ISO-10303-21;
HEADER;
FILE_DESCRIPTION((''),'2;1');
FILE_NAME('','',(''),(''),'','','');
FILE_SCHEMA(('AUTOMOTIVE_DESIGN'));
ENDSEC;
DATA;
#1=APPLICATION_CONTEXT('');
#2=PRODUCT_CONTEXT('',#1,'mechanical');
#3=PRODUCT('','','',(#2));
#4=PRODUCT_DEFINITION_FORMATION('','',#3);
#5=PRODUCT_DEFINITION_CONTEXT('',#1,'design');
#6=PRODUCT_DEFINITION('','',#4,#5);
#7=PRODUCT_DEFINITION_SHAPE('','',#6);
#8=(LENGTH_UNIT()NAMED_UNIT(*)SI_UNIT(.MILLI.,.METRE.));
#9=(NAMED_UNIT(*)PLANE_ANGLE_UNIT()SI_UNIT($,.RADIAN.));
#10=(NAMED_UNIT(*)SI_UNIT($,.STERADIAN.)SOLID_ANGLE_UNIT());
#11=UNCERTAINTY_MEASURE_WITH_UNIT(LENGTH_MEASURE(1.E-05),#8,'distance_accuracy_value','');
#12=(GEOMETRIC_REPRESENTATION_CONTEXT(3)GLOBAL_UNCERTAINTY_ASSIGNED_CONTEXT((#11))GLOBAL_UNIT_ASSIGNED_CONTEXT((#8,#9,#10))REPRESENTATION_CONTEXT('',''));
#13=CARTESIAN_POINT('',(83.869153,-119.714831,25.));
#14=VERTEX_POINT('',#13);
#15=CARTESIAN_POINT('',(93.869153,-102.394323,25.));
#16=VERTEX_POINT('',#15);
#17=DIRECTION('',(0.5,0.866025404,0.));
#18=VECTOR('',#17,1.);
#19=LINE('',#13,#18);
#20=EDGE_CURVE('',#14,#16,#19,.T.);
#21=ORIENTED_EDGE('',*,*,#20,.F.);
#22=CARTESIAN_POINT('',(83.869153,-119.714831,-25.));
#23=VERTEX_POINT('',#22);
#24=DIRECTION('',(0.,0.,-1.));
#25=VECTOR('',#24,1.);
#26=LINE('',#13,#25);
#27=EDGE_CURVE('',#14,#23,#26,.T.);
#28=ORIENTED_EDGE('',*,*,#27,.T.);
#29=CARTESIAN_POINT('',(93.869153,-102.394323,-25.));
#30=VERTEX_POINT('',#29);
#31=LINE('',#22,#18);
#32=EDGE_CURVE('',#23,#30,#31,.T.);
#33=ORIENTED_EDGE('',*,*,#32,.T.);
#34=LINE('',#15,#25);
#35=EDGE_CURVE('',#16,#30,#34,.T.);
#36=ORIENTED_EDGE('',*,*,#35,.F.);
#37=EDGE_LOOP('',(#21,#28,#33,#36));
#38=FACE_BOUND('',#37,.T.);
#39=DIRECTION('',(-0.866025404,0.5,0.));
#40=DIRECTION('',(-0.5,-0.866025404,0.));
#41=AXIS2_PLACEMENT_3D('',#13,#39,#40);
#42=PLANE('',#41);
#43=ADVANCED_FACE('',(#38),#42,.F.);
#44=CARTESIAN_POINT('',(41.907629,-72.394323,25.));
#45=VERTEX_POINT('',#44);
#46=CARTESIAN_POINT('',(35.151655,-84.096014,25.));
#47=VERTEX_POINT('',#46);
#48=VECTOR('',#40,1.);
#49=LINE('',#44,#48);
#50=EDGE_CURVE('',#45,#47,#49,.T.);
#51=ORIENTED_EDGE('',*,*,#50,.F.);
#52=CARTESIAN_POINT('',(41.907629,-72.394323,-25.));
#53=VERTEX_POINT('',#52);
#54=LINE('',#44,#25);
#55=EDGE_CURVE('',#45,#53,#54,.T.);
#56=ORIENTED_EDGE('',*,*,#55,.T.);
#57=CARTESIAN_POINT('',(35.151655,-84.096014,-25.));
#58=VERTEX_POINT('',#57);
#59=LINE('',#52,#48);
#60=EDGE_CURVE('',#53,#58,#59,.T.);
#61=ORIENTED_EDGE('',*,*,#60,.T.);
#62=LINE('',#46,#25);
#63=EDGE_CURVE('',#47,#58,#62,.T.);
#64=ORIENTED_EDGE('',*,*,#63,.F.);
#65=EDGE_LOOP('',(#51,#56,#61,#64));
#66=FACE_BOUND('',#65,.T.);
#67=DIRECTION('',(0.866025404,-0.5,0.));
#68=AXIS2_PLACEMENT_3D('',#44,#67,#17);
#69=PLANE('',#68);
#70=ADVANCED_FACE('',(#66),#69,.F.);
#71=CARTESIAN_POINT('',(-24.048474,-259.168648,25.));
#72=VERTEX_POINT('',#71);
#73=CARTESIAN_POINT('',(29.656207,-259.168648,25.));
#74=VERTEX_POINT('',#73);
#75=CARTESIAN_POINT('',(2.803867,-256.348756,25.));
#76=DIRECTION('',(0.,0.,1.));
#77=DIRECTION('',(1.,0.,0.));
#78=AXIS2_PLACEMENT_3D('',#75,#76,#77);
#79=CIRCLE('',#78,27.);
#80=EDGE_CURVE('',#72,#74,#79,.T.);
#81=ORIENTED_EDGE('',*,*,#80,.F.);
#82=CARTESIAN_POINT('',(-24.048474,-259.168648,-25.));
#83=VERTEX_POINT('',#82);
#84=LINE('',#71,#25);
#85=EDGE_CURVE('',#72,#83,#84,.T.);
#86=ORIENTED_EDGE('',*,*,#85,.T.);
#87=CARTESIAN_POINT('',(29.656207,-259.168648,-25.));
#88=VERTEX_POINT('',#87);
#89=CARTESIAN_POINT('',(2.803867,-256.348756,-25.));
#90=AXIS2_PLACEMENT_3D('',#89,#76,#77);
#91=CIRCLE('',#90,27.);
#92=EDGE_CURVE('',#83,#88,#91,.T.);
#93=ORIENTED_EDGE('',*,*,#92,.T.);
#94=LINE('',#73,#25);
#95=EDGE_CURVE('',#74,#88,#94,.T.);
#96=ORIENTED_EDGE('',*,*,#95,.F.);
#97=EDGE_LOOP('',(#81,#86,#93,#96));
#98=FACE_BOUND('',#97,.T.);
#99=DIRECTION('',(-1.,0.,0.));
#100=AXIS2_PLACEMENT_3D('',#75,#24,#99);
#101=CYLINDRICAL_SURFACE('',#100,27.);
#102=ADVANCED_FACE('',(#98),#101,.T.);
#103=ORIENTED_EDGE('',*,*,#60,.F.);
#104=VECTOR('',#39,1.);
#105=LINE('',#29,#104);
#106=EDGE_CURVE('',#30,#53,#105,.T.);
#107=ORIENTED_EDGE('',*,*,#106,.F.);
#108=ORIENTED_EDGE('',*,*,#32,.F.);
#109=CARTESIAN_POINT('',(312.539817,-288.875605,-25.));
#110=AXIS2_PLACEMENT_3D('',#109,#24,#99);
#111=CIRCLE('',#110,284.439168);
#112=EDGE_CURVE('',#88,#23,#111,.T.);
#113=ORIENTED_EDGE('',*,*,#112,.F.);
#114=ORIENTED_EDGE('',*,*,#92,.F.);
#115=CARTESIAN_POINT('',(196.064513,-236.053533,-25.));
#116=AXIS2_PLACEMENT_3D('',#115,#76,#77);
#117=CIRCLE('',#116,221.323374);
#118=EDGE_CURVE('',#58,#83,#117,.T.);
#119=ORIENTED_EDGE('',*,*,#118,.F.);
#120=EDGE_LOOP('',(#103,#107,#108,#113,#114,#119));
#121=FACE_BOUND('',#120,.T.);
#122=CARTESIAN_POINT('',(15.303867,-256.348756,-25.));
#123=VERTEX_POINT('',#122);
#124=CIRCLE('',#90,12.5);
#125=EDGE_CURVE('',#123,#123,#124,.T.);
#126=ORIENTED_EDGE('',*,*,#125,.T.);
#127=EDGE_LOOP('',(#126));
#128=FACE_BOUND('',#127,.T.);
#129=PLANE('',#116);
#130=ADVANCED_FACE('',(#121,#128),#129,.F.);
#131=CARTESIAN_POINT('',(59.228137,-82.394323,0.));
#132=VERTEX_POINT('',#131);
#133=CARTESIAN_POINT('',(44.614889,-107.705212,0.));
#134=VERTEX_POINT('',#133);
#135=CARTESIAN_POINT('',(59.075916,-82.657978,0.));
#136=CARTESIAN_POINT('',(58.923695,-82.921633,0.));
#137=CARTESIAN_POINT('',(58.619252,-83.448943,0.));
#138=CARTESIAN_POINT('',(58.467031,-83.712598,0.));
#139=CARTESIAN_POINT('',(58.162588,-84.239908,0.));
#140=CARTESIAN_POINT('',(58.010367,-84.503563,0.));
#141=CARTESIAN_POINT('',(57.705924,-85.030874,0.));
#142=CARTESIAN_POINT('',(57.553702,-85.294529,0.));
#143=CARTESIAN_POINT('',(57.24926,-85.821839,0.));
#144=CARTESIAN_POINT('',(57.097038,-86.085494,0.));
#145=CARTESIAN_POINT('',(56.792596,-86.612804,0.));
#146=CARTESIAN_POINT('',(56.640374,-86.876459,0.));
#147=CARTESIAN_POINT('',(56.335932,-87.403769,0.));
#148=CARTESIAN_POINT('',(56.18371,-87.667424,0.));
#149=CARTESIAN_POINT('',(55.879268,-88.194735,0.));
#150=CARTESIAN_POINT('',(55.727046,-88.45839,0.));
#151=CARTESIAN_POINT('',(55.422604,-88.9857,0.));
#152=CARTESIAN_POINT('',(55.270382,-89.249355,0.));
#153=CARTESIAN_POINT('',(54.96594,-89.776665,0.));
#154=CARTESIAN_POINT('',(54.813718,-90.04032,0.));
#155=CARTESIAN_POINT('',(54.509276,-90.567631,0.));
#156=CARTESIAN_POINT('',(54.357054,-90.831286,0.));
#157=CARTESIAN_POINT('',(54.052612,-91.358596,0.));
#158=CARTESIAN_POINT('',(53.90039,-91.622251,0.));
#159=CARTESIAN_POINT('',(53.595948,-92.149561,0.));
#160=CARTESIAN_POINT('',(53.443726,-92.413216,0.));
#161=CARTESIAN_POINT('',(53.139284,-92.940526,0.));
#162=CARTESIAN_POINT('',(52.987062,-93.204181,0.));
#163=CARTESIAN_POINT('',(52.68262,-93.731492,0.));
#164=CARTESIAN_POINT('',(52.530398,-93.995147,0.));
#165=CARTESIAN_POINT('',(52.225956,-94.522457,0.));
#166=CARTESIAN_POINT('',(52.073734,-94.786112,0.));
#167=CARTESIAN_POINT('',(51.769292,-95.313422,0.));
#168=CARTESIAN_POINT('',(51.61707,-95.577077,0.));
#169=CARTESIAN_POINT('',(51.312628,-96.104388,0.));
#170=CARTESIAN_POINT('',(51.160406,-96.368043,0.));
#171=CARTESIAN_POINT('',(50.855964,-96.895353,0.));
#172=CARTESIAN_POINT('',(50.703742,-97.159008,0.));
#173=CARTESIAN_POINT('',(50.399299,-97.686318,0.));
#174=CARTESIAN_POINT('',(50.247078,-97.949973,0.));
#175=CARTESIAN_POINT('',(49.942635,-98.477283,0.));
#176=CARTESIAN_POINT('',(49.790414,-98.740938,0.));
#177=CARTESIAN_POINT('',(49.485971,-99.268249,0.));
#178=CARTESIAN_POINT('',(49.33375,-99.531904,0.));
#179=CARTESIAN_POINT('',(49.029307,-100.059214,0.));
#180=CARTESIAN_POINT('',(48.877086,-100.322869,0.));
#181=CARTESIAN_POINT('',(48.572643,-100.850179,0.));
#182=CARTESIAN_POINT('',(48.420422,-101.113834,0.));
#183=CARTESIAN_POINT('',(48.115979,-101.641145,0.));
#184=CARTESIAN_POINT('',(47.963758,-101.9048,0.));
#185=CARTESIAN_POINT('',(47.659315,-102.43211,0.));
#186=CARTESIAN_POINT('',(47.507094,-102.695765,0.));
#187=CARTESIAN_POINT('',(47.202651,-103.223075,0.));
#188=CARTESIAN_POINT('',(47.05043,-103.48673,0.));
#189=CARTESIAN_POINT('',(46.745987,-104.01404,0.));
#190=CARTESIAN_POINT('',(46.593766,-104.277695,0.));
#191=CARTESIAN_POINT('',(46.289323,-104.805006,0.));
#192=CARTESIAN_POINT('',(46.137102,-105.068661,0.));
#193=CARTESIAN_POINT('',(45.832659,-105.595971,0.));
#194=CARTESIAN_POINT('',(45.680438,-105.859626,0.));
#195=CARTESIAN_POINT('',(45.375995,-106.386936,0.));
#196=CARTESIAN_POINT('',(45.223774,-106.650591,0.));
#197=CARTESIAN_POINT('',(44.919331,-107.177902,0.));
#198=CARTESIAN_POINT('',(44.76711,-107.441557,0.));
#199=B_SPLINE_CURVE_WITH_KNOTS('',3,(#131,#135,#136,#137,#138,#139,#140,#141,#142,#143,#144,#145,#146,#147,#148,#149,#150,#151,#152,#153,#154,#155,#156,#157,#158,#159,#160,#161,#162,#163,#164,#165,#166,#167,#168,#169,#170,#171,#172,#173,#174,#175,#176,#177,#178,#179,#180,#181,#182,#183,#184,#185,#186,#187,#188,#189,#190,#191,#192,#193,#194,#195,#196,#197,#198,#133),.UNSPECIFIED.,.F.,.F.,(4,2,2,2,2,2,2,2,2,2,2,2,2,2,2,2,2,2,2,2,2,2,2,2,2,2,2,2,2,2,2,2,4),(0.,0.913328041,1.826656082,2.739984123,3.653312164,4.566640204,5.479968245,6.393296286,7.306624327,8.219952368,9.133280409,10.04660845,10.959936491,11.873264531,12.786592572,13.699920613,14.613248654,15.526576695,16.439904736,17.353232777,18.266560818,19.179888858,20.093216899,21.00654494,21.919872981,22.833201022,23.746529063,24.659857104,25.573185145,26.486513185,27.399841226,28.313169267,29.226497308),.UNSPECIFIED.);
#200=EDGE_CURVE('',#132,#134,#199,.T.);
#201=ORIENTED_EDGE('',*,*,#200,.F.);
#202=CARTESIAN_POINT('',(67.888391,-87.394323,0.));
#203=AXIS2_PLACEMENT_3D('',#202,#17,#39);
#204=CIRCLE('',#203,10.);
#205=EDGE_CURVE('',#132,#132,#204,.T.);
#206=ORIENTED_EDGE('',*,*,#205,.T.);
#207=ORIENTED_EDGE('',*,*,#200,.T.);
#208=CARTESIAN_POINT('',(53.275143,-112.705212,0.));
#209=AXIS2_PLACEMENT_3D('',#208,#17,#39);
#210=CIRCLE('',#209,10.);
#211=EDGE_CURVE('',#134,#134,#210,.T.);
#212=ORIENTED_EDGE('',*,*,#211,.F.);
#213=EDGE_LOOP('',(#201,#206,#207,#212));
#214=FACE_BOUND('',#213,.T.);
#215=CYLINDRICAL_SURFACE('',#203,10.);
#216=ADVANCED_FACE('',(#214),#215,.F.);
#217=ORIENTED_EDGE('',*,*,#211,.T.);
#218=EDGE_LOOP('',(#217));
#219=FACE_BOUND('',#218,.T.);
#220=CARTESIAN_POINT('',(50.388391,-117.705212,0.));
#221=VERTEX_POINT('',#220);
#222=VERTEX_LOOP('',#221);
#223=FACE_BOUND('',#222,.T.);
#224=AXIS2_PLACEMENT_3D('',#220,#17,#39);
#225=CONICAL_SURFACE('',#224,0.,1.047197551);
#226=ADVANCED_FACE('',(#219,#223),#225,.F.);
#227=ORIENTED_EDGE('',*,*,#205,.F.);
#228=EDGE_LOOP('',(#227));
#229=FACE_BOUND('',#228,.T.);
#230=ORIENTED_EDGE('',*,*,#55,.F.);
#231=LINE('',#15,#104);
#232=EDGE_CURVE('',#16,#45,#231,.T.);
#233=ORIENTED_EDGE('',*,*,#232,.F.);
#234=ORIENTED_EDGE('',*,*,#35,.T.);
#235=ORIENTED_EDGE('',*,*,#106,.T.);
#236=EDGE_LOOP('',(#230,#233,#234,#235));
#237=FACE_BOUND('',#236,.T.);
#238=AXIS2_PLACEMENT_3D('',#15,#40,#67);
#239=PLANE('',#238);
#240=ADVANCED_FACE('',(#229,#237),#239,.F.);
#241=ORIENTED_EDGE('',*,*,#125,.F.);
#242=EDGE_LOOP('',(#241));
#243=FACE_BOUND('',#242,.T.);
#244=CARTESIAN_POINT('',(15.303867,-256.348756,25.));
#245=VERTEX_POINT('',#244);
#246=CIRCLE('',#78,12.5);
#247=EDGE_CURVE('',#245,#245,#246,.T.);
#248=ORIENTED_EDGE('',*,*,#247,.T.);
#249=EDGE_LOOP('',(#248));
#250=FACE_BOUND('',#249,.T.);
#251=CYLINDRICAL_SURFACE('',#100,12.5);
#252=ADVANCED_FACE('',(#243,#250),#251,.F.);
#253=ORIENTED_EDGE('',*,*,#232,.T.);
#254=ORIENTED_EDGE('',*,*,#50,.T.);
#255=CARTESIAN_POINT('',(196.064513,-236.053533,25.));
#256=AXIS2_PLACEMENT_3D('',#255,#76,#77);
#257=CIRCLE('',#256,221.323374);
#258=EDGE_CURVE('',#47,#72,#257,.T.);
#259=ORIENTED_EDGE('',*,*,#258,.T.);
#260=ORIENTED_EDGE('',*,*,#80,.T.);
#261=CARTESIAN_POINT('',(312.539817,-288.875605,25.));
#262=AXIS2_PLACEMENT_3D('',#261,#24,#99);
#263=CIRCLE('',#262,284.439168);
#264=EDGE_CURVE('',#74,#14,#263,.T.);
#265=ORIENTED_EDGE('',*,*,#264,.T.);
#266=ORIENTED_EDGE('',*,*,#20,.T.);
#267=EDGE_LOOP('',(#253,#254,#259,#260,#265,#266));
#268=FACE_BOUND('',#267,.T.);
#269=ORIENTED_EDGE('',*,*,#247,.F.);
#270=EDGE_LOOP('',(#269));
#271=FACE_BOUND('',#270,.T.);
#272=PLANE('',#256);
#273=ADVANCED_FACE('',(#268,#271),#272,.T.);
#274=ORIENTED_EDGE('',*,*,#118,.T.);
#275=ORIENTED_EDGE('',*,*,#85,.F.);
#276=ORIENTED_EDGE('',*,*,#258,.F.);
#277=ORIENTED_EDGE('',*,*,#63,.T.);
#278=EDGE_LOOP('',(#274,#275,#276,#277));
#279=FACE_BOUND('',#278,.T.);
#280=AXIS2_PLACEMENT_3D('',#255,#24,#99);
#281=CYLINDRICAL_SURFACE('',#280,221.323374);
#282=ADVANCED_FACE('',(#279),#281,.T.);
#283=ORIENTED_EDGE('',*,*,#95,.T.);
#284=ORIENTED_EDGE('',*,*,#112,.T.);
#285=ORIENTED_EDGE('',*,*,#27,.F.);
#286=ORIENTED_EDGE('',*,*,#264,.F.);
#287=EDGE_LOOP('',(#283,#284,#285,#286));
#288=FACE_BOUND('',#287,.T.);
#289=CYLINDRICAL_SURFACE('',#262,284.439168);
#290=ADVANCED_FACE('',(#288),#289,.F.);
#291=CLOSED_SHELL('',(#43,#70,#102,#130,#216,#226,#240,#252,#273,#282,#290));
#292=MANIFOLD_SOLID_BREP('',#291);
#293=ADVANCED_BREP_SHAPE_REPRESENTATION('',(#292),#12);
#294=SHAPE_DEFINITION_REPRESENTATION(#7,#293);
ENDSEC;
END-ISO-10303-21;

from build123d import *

# Parameters (mm, degrees)
ESQUISSE1_R        = 12.5
BOSS_EXTRU_1_DEPTH = 25


with BuildPart() as part:
    # Esquisse1 → Boss.-Extru.1 (new, symmetric)
    with BuildSketch(Plane.XY):
        with BuildLine():
            Line((83.869153377, -119.714830661), (93.869153377, -102.394322585))
            Line((93.869153377, -102.394322585), (41.907629149, -72.394322585))
            Line((41.907629149, -72.394322585), (35.151654556, -84.096013836))
            ThreePointArc((35.151654556, -84.096013836), (-13.596595867, -165.15744642), (-24.048474301, -259.168647929))
            ThreePointArc((-24.048474301, -259.168647929), (2.80386651, -283.348755554), (29.65620732, -259.168647929))
            ThreePointArc((29.65620732, -259.168647929), (47.428924329, -185.813223264), (83.869153377, -119.714830661))
        make_face()
        with Locations((2.80386651, -256.348755554)):
            Circle(ESQUISSE1_R, mode=Mode.SUBTRACT)
    extrude(amount=BOSS_EXTRU_1_DEPTH, both=True)

    # Esquisse3 → Enlèvement de matière-Révolution1 (revolve, cut)
    with BuildSketch(Plane.XY):
        Polygon((67.888391263, -87.394322585), (50.388391263, -117.705211717), (44.614888571, -107.705211717), (59.228137225, -82.394322585), align=None)
    revolve(axis=Axis((67.888391263, -87.394322585, 0), (-0.5000000000000014, -0.8660254037844379, 0)), mode=Mode.SUBTRACT)


solid = part.part
